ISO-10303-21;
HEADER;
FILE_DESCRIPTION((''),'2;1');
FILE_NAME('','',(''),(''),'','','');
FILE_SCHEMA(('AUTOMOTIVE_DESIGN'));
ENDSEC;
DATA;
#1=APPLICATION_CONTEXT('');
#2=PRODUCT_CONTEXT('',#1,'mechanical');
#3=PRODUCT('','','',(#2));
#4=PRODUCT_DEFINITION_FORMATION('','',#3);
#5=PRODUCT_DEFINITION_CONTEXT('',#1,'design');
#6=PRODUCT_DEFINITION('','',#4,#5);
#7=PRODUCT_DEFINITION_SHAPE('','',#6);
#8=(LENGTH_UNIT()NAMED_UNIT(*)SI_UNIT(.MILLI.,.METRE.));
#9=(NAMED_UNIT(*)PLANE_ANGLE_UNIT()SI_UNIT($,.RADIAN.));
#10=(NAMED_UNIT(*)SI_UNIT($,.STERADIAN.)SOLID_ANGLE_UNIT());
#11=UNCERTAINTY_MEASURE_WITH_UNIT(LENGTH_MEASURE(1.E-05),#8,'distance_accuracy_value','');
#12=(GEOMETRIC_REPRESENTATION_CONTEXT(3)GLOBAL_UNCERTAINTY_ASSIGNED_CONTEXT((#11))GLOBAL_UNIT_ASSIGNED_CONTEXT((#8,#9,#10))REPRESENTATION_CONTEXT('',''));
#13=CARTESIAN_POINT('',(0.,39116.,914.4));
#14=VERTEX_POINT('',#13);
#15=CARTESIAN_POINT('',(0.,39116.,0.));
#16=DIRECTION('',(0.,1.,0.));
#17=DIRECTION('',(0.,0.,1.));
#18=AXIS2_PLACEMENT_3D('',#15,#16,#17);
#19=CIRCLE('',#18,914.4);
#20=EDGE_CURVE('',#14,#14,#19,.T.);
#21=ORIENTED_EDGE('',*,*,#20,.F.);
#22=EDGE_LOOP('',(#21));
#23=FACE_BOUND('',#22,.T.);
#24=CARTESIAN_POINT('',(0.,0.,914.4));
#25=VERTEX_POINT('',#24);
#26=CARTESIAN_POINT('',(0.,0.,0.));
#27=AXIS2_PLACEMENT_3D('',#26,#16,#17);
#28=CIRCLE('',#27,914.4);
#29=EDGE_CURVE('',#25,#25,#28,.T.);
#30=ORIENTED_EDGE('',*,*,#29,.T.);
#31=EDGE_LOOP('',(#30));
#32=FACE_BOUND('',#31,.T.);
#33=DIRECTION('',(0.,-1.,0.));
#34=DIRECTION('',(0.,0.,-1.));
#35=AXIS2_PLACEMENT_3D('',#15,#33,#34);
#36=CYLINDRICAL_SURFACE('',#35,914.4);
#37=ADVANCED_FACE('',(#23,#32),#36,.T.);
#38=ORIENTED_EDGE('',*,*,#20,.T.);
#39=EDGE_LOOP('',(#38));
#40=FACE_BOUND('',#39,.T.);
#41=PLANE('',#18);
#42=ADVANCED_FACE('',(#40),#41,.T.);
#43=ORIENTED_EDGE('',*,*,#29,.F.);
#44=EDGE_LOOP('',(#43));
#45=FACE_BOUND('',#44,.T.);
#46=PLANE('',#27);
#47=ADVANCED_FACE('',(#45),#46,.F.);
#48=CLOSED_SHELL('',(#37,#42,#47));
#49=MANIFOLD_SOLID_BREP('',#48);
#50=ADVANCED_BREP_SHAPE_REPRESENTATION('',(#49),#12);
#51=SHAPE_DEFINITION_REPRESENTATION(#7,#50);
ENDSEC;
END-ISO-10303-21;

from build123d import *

# Parameters (mm, degrees)
SKETCH1_R           = 914.4
BOSS_EXTRUDE1_DEPTH = 39116


with BuildPart() as part:
    # Sketch1 → Boss-Extrude1 (new body)
    with BuildSketch(Plane(origin=(0, 0, 0), x_dir=(1, 0, 0), z_dir=(0, 1, 0))):
        Circle(SKETCH1_R)
    extrude(amount=BOSS_EXTRUDE1_DEPTH)


solid = part.part
